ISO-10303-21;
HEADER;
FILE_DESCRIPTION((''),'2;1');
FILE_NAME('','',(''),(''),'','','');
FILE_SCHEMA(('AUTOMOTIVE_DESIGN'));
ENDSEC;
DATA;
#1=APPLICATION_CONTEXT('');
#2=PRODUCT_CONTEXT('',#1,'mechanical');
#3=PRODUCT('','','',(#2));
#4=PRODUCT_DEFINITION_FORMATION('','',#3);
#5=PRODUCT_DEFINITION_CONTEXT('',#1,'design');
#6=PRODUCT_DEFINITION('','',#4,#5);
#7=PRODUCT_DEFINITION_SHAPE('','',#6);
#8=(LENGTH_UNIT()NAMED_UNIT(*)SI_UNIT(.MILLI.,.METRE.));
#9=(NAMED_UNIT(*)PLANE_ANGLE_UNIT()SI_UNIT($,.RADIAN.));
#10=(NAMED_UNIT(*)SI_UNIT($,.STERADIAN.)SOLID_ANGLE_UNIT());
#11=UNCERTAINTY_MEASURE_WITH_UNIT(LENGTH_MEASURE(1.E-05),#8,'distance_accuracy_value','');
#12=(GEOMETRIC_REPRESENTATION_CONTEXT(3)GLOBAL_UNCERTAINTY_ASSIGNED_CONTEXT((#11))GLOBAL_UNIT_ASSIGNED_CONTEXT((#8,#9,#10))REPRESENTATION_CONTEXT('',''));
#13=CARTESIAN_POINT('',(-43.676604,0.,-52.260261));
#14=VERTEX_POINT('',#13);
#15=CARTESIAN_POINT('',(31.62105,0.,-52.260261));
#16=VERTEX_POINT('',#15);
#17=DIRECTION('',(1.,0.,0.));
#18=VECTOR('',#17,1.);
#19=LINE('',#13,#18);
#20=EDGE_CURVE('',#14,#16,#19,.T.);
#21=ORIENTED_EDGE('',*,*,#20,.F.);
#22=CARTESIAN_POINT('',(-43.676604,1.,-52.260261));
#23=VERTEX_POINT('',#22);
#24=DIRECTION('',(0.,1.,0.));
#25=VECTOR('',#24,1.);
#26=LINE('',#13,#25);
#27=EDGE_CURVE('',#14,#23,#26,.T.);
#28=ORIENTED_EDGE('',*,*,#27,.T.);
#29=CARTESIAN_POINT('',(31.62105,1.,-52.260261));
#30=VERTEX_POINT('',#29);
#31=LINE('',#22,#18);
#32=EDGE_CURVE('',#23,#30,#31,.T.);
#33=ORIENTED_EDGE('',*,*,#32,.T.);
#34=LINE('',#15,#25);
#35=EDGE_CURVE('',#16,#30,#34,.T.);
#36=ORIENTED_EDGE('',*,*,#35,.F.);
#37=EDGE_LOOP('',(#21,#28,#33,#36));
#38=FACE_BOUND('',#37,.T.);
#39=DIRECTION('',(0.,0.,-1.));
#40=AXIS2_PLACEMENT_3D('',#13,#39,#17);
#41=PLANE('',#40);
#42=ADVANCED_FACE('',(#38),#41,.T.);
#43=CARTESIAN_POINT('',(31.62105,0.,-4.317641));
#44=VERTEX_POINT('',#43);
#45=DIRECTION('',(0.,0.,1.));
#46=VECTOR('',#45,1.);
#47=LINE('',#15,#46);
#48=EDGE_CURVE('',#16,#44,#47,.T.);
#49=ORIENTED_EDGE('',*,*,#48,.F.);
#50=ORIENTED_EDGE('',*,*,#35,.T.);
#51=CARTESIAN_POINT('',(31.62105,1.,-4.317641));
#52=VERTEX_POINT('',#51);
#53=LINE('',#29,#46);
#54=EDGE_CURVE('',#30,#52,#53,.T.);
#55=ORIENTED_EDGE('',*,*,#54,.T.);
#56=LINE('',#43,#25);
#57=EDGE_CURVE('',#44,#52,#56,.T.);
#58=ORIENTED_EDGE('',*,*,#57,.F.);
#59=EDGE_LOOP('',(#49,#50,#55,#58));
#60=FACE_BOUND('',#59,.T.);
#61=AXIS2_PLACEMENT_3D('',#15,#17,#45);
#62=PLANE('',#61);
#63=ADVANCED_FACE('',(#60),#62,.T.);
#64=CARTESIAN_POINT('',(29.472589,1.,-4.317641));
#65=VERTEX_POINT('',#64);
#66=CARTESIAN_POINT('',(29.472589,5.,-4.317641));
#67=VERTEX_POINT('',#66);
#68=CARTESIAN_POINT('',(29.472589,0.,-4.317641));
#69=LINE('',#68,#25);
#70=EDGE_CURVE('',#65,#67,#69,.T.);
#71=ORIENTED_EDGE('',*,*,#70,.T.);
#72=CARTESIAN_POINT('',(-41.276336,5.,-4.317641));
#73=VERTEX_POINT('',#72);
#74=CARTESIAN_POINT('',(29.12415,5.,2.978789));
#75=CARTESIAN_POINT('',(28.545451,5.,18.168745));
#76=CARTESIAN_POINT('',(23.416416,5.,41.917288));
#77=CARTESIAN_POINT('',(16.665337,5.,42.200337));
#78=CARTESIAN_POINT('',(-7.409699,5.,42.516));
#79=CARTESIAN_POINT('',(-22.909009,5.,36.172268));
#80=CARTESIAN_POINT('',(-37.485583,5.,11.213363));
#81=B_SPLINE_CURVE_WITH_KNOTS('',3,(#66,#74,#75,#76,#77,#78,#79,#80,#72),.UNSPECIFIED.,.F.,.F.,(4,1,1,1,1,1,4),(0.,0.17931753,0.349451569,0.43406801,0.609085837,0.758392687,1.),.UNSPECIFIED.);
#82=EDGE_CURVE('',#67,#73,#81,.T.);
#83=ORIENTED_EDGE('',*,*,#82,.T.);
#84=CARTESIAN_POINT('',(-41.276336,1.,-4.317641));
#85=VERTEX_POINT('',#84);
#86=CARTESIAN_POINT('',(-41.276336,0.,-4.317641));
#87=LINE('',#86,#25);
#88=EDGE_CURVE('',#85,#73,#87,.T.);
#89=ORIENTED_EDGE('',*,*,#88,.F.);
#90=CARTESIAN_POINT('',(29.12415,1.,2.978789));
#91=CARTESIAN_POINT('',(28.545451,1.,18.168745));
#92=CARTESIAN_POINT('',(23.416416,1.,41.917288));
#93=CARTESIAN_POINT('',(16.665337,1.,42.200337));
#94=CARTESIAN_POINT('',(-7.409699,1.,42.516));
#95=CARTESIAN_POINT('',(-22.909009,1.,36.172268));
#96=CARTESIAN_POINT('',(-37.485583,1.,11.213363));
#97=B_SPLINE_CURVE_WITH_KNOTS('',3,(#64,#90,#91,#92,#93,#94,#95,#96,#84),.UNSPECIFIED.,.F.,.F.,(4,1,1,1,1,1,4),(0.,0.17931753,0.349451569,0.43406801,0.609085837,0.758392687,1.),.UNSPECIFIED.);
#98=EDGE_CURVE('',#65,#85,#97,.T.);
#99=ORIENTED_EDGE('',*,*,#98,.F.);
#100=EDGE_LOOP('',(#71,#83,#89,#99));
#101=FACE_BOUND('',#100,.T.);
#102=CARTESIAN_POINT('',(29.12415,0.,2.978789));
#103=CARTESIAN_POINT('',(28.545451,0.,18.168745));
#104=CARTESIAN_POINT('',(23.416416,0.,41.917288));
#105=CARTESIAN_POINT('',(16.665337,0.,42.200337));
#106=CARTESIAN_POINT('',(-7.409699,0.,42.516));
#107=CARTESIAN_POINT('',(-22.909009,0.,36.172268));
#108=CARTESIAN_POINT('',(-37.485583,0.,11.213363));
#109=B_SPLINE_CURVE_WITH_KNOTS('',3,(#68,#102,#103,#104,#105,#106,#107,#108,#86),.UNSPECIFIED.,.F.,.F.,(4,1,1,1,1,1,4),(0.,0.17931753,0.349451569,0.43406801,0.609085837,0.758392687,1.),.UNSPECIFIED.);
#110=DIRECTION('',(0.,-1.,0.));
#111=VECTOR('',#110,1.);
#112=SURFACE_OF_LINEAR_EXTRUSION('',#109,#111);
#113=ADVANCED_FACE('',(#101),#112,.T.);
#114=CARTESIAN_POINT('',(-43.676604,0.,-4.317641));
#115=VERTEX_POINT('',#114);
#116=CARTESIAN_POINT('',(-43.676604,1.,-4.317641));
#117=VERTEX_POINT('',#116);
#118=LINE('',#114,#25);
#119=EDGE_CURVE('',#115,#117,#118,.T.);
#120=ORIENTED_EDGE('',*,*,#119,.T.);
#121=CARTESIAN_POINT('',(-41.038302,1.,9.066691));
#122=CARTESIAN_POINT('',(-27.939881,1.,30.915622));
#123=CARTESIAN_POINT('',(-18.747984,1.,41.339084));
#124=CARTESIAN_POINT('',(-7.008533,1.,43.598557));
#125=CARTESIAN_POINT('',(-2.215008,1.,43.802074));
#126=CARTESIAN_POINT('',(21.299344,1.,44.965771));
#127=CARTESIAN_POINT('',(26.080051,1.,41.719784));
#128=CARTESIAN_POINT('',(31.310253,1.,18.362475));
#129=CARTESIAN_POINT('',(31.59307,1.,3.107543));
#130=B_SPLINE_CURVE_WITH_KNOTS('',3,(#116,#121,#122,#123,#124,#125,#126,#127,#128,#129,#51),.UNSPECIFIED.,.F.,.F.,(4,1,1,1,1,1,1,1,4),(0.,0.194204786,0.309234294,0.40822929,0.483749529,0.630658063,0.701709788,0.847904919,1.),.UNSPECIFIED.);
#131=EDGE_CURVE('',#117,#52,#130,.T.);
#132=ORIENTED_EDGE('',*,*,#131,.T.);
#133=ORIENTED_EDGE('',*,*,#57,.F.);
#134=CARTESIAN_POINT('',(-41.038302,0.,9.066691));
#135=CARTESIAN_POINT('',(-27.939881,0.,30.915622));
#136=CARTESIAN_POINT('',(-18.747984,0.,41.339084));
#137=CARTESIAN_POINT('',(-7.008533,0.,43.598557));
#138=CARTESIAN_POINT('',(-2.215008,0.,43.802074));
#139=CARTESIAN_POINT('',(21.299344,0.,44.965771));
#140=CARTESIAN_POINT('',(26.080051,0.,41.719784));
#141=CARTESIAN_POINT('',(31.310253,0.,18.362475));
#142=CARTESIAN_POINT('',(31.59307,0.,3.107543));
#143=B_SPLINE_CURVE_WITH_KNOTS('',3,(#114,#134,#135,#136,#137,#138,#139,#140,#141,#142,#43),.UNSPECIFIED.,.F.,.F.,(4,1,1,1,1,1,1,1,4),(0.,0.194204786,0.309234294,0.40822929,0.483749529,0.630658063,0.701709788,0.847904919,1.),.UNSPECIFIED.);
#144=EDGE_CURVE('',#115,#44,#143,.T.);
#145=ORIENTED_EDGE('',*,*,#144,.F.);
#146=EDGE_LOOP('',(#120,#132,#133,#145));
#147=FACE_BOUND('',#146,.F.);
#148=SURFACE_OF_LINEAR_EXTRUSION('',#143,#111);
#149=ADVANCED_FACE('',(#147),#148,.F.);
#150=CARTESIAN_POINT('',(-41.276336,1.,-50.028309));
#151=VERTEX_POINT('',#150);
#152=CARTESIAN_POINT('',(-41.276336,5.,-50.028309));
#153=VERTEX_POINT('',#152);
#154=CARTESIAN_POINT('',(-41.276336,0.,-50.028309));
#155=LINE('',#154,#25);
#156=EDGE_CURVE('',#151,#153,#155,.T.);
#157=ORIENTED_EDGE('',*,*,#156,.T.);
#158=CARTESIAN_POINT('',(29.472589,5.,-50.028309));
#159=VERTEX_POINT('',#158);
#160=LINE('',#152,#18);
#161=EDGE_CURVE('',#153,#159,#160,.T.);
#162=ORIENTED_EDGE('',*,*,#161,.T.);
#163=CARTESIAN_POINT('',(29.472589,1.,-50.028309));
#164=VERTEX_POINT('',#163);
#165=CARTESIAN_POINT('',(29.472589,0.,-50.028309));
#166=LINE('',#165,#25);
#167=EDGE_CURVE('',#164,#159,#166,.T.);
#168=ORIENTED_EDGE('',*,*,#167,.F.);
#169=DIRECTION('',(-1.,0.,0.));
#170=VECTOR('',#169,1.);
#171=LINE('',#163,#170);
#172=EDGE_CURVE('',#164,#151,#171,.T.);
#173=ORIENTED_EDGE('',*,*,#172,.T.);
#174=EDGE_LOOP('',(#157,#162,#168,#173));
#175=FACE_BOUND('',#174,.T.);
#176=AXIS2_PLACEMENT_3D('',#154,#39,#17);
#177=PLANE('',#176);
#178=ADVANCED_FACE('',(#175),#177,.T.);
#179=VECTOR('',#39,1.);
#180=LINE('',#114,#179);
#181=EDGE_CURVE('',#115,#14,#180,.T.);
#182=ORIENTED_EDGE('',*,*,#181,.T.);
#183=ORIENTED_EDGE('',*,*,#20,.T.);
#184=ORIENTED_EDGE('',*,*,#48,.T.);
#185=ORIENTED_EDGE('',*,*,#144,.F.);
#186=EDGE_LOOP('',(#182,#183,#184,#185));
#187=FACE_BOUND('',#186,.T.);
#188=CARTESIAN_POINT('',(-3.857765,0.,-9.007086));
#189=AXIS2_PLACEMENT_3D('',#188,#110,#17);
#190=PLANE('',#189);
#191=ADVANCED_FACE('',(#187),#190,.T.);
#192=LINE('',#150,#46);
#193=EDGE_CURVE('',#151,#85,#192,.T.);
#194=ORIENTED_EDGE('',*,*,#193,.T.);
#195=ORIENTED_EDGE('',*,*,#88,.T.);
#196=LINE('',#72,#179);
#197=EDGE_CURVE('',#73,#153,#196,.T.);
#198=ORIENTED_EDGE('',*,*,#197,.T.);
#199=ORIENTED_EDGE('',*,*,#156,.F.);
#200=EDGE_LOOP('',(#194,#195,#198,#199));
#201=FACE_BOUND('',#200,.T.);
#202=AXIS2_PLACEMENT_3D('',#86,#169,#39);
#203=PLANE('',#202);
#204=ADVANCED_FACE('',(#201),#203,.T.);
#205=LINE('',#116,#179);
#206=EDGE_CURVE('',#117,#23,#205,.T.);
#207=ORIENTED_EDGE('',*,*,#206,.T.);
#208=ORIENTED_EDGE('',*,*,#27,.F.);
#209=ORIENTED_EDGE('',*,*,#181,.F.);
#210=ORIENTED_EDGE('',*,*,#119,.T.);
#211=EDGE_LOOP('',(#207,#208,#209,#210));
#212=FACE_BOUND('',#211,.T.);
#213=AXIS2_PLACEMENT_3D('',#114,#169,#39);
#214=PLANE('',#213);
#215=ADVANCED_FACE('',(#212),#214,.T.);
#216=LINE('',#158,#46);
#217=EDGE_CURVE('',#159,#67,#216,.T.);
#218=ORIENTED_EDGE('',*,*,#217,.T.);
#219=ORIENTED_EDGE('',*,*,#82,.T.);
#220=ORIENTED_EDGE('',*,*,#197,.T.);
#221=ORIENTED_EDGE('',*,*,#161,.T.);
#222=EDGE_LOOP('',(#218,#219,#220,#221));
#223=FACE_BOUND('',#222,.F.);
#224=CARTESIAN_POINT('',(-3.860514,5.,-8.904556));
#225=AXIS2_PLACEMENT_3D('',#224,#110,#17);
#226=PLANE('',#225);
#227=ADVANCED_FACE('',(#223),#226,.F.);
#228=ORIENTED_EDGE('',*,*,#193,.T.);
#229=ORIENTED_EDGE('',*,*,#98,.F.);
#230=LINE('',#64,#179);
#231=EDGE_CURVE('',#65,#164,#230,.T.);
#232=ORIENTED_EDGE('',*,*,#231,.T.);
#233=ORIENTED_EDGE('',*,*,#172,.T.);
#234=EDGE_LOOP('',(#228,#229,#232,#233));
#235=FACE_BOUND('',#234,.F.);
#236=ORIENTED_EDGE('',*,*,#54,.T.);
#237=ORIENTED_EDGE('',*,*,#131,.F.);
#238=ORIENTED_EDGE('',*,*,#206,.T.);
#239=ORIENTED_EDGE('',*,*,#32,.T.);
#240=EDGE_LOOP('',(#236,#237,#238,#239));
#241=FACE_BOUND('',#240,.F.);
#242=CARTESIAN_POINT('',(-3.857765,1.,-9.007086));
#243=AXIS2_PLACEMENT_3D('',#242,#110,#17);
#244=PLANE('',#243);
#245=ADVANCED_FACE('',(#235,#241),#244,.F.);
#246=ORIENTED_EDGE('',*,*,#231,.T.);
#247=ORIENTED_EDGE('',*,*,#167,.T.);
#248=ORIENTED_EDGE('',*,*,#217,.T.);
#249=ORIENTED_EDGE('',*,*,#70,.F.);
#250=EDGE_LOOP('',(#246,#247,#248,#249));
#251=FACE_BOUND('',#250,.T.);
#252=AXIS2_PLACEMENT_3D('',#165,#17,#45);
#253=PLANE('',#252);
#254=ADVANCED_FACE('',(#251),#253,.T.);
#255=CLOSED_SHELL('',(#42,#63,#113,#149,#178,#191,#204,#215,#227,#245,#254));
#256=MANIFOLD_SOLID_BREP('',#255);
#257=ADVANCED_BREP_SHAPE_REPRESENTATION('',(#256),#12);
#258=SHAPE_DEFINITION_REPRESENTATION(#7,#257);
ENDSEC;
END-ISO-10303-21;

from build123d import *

# Parameters (mm, degrees)
F1_DEPTH = 1
F2_DEPTH = 5


with BuildPart() as f1:
    # F0 (on Front) → F1 (new body)
    with BuildSketch(Plane.XZ):
        with BuildLine():
            Line((-43.6766035855, -4.3176412582), (-43.6766035855, -52.260261029))
            Line((-43.6766035855, -52.260261029), (31.6210500896, -52.260261029))
            Line((31.6210500896, -52.260261029), (31.6210500896, -4.3176412582))
            add(Edge.make_bspline(
                [(-43.6766035855, -4.3176412582), (-41.0383021138, 9.0666906176), (-27.9398807539, 30.9156219348), (-18.7479844266, 41.3390835094), (-7.0085331076, 43.5985571671), (-2.215007715, 43.8020735184), (21.2993443911, 44.9657713637), (26.0800513958, 41.7197839808), (31.3102526714, 18.3624746495), (31.5930695379, 3.1075431018), (31.6210500896, -4.3176412582)],
                knots=[0, 0, 0, 0, 0.1942047864, 0.3092342936, 0.40822929, 0.4837495286, 0.6306580628, 0.7017097882, 0.8479049191, 1, 1, 1, 1], degree=3))
        make_face()
        with BuildLine():
            Line((29.4725894928, -50.028309226), (-41.2763357162, -50.028309226))
            Line((-41.2763357162, -50.028309226), (-41.2763357162, -4.3176412582))
            add(Edge.make_bspline(
                [(29.4725894928, -4.3176412582), (29.1241496967, 2.9787885737), (28.5454511929, 18.1687452905), (23.4164160844, 41.9172876242), (16.665337298, 42.2003372333), (-7.4096989865, 42.5160002908), (-22.9090094529, 36.1722681351), (-37.4855825891, 11.2133633357), (-41.2763357162, -4.3176412582)],
                knots=[0, 0, 0, 0, 0.1793175303, 0.3494515687, 0.4340680096, 0.6090858367, 0.7583926872, 1, 1, 1, 1], degree=3))
            Line((29.4725894928, -4.3176412582), (29.4725894928, -50.028309226))
        make_face(mode=Mode.SUBTRACT)
    extrude(amount=-F1_DEPTH)

    # F0 (on Front) → F2 (join)
    with BuildSketch(Plane.XZ):
        with BuildLine():
            Line((-41.2763357162, -4.3176412582), (-41.2763357162, -50.028309226))
            Line((-41.2763357162, -50.028309226), (29.4725894928, -50.028309226))
            Line((29.4725894928, -50.028309226), (29.4725894928, -4.3176412582))
            add(Edge.make_bspline(
                [(29.4725894928, -4.3176412582), (29.1241496967, 2.9787885737), (28.5454511929, 18.1687452905), (23.4164160844, 41.9172876242), (16.665337298, 42.2003372333), (-7.4096989865, 42.5160002908), (-22.9090094529, 36.1722681351), (-37.4855825891, 11.2133633357), (-41.2763357162, -4.3176412582)],
                knots=[0, 0, 0, 0, 0.1793175303, 0.3494515687, 0.4340680096, 0.6090858367, 0.7583926872, 1, 1, 1, 1], degree=3))
        make_face()
    extrude(amount=-F2_DEPTH)


solid = f1.part
